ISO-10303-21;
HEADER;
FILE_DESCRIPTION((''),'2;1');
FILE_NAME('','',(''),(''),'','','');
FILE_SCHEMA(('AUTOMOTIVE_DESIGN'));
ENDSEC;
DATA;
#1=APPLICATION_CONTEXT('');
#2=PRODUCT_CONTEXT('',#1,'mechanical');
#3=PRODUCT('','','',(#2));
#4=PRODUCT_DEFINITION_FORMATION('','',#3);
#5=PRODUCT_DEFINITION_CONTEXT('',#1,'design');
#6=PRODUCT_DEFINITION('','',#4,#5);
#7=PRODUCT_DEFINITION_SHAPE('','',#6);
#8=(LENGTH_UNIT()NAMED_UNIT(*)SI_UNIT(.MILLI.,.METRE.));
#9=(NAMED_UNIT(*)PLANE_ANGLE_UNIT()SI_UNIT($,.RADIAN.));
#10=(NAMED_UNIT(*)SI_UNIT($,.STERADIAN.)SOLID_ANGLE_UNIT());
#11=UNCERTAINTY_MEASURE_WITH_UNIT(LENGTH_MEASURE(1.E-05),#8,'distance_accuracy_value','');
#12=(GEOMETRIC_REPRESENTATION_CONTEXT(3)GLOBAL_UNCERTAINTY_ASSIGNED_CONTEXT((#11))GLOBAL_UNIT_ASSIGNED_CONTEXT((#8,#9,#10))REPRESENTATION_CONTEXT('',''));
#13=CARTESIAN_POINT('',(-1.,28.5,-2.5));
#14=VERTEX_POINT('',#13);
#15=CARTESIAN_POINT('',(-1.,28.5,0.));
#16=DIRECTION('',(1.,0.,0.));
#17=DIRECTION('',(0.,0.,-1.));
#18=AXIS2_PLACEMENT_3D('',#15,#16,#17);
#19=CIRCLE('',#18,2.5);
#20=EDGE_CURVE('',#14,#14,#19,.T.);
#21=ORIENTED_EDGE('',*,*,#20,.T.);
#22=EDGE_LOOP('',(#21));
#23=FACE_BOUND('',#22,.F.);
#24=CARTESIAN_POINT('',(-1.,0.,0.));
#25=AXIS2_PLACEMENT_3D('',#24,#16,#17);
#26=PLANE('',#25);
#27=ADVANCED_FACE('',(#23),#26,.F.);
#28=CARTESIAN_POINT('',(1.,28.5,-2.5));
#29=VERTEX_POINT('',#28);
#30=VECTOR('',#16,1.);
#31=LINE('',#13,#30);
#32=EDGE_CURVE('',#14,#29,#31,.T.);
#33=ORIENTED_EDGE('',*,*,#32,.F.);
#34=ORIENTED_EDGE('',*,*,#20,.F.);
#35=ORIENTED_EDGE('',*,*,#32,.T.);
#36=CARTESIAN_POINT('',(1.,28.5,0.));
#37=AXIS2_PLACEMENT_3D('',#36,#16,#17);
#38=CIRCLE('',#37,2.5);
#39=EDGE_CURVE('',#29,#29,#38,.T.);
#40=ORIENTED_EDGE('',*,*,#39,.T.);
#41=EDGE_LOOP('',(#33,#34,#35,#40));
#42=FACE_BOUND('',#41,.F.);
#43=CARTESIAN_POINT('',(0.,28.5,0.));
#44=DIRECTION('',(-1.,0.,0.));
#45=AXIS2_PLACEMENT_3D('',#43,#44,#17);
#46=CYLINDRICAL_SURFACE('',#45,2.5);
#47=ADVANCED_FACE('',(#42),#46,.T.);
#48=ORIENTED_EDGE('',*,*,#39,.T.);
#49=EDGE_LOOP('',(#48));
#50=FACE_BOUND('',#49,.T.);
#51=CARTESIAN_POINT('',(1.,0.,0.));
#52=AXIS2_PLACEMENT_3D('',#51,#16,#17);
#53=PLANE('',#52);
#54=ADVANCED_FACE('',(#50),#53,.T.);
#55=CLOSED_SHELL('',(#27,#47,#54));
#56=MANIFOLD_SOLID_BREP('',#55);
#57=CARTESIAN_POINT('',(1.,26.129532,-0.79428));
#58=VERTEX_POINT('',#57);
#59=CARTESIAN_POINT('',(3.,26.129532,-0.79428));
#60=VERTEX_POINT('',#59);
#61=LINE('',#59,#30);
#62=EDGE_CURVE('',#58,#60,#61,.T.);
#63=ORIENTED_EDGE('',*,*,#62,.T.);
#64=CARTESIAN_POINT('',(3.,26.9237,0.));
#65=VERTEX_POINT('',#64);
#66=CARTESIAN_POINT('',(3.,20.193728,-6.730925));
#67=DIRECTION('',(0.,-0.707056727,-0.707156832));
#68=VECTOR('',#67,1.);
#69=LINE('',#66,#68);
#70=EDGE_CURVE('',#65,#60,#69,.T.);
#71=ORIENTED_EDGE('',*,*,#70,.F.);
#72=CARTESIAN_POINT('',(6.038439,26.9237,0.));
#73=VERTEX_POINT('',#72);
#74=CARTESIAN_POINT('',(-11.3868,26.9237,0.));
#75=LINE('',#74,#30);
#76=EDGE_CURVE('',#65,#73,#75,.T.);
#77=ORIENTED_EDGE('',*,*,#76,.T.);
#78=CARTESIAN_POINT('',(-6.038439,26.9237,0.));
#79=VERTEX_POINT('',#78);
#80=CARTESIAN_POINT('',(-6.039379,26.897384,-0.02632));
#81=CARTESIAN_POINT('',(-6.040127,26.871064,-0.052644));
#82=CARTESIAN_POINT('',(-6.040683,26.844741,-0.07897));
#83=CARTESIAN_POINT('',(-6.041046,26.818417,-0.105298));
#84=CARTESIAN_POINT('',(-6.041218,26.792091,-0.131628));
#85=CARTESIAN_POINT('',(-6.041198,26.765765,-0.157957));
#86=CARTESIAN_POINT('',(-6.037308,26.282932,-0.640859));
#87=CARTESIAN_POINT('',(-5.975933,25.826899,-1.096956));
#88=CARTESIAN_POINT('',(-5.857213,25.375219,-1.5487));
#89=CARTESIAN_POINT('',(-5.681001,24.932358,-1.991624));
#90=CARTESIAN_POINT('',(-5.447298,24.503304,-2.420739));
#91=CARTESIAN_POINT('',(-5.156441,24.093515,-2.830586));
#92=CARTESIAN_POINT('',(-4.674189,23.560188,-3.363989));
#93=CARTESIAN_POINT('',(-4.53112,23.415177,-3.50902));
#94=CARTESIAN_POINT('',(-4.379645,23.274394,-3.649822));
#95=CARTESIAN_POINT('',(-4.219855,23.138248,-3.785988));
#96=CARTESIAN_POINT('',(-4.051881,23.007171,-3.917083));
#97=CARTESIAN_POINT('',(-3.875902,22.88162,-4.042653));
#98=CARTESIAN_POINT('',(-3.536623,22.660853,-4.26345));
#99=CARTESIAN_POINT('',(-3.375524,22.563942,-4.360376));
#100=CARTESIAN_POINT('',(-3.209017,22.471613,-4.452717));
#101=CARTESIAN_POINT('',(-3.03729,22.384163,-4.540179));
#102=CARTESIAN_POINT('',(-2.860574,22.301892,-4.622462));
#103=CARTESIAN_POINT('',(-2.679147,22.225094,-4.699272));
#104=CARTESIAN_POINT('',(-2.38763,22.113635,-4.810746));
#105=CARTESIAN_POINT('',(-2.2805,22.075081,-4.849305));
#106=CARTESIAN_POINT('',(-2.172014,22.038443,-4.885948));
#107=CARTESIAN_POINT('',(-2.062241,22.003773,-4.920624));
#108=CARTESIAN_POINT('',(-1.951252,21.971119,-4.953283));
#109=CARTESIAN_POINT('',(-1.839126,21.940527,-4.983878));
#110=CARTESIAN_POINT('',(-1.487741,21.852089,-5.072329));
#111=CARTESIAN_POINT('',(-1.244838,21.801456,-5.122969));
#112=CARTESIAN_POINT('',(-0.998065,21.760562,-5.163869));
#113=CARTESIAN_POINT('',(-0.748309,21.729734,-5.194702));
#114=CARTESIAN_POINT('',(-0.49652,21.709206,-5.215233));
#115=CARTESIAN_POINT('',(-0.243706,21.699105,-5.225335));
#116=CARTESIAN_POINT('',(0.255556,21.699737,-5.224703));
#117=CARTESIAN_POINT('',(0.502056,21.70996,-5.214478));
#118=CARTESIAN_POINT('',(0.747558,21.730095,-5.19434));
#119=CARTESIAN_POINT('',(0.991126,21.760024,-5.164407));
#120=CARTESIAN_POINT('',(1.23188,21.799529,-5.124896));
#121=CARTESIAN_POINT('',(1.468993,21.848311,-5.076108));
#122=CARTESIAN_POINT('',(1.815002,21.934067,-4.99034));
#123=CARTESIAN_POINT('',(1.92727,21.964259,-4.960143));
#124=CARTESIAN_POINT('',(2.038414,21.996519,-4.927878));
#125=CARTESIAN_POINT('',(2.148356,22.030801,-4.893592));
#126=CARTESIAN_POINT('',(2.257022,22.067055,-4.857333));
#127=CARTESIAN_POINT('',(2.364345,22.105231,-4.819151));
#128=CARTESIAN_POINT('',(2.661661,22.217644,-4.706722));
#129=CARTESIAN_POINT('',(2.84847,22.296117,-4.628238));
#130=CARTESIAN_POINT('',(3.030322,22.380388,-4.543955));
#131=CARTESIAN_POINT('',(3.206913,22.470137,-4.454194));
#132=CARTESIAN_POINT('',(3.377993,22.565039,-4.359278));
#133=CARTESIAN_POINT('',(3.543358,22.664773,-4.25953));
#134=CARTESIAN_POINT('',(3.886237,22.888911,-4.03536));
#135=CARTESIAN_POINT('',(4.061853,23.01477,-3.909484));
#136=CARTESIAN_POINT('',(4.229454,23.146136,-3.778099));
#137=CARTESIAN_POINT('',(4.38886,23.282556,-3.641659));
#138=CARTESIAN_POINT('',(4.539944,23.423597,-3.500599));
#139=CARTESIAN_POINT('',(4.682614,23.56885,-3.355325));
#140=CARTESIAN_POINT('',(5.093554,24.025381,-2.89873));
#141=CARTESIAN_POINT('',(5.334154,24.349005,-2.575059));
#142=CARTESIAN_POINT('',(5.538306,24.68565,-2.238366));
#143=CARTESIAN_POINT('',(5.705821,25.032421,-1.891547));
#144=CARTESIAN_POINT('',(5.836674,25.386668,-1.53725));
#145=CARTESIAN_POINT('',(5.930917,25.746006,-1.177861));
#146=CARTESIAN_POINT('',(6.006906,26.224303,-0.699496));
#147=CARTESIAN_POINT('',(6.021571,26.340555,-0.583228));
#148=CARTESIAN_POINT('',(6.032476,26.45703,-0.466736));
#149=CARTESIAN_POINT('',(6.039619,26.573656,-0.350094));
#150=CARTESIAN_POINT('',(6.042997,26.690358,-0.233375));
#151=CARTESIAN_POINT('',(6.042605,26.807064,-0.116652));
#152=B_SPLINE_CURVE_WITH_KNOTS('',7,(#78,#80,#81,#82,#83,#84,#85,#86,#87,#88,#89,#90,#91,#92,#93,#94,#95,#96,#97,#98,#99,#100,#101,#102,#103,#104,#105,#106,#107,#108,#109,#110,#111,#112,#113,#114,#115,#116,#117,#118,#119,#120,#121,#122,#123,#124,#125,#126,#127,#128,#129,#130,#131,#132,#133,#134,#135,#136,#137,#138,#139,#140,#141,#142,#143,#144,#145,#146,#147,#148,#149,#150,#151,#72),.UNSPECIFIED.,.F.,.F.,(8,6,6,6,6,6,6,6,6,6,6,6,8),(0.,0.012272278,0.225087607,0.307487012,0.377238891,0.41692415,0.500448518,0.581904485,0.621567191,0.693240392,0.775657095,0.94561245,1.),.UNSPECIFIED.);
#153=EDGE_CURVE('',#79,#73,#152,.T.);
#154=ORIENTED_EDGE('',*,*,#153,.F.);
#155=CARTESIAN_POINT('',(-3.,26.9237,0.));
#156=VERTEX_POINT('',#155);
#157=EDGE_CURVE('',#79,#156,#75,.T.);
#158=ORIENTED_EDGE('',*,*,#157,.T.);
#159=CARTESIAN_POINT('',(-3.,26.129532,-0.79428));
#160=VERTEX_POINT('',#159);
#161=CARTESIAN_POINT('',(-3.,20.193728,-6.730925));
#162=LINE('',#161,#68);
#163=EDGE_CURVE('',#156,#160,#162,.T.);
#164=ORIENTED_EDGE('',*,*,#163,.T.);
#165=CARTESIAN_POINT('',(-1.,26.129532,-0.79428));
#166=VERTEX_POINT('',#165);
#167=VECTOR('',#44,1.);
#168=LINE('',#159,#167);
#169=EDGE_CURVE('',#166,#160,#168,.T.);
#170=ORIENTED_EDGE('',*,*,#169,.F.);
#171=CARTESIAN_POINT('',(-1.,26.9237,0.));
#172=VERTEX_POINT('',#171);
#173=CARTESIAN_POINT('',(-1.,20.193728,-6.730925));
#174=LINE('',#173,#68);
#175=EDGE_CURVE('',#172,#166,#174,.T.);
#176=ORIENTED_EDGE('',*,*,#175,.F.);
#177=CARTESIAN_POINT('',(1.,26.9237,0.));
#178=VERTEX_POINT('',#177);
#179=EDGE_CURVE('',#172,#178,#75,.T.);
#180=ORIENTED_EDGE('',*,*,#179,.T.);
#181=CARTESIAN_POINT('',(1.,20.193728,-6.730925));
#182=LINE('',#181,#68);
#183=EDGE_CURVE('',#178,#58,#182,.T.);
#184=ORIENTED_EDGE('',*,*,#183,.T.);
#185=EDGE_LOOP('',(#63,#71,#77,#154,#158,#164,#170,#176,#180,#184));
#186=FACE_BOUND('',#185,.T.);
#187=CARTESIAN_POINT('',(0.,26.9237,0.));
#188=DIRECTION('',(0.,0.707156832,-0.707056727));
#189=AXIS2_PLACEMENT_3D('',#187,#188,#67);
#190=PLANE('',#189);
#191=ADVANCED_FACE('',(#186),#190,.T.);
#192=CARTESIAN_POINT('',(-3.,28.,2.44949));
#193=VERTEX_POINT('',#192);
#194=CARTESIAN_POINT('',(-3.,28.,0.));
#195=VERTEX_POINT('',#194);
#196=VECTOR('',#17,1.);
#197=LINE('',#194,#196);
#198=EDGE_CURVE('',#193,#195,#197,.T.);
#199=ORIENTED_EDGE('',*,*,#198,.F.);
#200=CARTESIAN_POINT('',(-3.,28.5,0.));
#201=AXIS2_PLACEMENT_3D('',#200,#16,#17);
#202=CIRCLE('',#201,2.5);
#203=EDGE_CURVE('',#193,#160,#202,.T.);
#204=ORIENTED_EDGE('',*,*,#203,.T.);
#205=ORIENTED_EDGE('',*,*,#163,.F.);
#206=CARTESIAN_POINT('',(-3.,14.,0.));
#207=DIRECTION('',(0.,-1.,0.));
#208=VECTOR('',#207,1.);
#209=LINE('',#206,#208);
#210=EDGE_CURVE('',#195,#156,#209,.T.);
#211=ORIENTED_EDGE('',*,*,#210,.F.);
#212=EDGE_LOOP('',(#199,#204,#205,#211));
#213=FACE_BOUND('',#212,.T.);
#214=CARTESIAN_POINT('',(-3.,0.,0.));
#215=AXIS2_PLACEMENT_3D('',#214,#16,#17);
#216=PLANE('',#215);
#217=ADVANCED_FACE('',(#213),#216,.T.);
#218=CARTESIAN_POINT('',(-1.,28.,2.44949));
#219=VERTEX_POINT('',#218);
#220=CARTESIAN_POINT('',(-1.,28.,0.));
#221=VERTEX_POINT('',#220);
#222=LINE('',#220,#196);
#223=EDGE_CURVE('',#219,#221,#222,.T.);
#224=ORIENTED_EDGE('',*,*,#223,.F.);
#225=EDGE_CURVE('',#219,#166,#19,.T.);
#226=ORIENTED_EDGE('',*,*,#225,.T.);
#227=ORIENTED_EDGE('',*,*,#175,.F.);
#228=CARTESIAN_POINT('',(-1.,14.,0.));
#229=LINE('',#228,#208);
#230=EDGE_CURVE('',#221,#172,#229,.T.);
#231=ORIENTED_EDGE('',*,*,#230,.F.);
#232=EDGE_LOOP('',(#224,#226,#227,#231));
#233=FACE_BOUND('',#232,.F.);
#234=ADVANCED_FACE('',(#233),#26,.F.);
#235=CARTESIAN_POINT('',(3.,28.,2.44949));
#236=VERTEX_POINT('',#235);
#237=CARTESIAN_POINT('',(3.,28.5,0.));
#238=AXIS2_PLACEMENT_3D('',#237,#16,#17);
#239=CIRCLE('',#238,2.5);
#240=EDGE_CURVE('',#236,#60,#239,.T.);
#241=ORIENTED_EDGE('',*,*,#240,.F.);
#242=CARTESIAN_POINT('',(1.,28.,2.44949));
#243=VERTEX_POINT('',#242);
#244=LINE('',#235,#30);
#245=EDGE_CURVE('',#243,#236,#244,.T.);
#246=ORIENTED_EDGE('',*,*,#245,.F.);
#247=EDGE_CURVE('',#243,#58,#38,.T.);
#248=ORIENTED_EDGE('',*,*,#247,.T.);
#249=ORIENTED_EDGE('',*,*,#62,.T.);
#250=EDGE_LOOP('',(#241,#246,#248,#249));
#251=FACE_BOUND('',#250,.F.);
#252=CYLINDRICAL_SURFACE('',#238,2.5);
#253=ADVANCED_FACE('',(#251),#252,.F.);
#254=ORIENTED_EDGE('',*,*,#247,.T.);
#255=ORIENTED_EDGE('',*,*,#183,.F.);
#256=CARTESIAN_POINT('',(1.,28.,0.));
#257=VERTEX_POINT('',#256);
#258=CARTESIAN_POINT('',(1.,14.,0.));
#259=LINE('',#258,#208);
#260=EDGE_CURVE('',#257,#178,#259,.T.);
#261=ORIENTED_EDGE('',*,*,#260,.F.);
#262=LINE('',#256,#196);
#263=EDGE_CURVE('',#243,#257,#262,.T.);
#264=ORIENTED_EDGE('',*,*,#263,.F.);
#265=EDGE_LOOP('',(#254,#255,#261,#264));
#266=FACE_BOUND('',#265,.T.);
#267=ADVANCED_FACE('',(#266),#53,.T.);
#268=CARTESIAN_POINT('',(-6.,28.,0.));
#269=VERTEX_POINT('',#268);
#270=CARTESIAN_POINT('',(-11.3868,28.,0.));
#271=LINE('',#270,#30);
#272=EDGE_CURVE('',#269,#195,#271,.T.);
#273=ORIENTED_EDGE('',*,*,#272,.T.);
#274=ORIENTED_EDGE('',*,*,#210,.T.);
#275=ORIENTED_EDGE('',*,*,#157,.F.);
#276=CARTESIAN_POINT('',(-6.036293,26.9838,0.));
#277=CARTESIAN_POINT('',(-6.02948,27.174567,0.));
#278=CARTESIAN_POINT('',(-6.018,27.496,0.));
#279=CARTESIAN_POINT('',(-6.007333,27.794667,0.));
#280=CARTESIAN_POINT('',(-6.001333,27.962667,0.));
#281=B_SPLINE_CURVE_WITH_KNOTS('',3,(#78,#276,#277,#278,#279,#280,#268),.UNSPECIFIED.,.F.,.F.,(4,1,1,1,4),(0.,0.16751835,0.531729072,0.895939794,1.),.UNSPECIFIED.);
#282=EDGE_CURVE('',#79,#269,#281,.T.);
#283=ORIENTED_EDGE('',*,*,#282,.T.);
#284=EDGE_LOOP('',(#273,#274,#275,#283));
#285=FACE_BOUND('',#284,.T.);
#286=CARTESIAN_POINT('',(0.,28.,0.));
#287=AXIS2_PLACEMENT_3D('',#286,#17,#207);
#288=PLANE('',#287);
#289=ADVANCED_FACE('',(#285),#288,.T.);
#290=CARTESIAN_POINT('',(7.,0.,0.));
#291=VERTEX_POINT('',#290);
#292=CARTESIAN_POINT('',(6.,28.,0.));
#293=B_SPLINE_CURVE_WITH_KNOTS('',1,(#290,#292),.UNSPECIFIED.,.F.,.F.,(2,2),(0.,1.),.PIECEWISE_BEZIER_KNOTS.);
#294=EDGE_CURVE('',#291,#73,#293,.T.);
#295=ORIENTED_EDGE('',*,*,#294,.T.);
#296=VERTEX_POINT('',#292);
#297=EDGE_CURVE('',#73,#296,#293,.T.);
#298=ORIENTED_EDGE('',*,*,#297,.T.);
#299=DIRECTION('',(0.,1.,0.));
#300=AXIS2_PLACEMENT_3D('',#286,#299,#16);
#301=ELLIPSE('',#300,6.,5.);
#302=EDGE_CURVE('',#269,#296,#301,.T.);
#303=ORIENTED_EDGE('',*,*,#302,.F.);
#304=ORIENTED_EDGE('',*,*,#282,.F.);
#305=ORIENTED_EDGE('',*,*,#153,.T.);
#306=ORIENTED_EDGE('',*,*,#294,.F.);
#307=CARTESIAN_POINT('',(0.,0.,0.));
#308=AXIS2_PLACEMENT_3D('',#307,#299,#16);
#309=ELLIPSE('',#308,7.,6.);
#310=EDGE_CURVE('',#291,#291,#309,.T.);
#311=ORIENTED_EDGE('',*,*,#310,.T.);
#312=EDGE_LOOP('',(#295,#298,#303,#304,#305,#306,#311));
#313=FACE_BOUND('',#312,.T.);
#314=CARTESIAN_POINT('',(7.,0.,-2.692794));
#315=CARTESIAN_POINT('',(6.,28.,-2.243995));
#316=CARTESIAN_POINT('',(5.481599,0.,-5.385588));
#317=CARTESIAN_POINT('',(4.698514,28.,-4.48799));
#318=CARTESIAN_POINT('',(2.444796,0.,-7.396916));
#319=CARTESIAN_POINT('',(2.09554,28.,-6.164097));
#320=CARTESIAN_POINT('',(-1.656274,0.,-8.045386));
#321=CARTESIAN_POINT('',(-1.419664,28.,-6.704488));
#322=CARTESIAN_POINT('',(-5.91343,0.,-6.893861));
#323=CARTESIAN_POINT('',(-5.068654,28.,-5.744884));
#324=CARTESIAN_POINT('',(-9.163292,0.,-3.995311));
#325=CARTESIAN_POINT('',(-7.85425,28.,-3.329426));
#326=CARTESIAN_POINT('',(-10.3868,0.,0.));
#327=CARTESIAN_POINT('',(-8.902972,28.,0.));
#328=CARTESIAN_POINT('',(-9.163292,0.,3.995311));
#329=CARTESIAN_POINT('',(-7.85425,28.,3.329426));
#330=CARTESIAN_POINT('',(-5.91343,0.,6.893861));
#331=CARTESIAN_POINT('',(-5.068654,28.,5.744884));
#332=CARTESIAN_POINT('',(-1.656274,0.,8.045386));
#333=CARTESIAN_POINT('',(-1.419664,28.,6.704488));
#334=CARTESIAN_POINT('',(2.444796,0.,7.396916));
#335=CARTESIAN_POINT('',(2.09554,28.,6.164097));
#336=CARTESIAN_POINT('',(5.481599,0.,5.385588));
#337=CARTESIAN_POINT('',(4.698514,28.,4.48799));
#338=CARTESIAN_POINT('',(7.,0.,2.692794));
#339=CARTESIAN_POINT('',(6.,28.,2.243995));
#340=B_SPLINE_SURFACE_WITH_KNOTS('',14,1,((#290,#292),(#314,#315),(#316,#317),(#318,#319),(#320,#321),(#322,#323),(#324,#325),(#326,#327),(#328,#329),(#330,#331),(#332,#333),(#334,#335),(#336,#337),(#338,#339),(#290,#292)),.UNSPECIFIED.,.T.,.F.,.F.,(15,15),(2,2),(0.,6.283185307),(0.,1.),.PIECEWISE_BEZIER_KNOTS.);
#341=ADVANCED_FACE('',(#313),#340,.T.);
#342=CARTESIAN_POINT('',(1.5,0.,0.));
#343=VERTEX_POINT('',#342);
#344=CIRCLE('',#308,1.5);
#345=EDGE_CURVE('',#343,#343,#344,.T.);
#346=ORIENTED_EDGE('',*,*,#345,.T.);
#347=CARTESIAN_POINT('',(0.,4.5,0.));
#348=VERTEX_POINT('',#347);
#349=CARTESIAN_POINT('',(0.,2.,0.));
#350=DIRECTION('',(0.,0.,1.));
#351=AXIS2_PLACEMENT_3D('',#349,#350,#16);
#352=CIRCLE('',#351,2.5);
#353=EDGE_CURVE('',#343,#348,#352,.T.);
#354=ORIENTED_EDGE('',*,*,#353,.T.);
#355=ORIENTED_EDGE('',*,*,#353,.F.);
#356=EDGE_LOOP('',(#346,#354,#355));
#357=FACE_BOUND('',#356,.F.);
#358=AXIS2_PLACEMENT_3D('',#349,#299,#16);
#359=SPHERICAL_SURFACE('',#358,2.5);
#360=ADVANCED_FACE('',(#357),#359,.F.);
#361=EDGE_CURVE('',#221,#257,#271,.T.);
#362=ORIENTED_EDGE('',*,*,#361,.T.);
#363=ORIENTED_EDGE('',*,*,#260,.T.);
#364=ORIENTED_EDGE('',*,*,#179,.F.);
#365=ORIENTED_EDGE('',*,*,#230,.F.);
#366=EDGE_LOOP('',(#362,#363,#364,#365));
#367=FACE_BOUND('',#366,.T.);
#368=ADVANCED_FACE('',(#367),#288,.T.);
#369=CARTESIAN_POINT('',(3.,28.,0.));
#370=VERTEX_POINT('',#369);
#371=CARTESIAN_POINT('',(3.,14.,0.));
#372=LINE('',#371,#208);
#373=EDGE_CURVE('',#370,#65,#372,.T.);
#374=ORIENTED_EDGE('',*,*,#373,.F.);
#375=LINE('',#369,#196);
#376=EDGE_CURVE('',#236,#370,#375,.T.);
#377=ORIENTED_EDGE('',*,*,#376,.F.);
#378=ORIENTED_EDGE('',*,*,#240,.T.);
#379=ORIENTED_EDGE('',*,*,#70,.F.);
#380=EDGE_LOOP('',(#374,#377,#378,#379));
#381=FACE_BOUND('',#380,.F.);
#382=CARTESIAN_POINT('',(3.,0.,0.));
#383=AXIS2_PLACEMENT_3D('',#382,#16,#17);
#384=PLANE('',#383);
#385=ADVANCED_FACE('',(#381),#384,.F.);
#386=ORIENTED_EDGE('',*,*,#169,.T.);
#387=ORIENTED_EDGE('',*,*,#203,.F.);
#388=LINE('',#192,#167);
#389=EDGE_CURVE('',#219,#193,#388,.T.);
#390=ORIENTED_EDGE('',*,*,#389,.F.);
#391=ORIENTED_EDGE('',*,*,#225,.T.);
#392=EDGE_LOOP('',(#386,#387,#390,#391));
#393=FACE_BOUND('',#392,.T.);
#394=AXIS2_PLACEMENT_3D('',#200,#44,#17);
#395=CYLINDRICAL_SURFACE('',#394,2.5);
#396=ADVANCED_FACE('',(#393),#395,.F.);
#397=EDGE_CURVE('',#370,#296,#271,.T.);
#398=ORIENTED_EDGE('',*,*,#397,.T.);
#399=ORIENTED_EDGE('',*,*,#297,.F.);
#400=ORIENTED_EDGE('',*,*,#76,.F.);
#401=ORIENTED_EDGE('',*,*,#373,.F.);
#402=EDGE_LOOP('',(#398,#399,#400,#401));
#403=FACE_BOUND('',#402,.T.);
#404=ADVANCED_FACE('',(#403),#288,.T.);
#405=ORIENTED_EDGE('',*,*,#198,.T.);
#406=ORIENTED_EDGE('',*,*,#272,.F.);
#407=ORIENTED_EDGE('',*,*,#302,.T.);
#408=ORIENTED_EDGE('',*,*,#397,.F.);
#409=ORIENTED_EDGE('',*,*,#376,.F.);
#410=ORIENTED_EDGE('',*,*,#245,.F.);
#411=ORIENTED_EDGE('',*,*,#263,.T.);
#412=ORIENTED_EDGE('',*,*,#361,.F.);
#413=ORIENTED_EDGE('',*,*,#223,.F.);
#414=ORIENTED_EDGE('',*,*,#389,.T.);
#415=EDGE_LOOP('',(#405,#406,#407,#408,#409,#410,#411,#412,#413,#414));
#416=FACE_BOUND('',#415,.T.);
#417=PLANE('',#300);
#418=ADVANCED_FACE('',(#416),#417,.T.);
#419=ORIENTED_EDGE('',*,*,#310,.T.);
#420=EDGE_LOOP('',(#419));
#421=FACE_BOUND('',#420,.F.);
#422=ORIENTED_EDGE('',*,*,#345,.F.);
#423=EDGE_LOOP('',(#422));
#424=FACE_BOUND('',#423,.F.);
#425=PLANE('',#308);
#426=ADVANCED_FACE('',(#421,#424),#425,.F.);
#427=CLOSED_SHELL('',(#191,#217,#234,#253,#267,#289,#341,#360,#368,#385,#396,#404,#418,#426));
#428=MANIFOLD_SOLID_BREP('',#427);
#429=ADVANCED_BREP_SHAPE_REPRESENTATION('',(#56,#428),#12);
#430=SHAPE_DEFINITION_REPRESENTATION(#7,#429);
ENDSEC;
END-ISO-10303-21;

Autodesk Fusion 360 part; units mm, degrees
sketch "Sketch1" plane through (0, 0, 0) normal (0, 1, 0) x (1, 0, 0)
  ellipse E0 centre (0, 0) end of major axis (7, 0) minor radius 6
  line L0 (-7, 0) -> (7, 0) construction
  line L1 (0, -6) -> (0, 6) construction
  dimension "d2" = 12
ref_plane "WorkPlane1" through (0, 28, 0) normal (0, 1, 0) x (1, 0, 0)
sketch "Sketch2" plane through (0, 28, 0) normal (0, 1, 0) x (1, 0, 0)
  ellipse E0 centre (0, 0) end of major axis (6, 0) minor radius 5
  line L0 (-6, 0) -> (6, 0) construction
  line L1 (0, -5) -> (0, 5) construction
  dimension "d3" = 10
sketch "Sketch3" plane through (0, 28, 0) normal (0, 1, 0) x (1, 0, 0)
loft "Loft1" add profiles "Sketch1", "Sketch2" section 1 section 2 makes body 1
sketch "Sketch4" plane through (0, 0, 0) normal (1, 0, 0) x (0, 0, -1)
  line L0 (0, 0) -> (0, 1)
  line L1 (0, 1) -> (7, 8)
  line L2 (7, 8) -> (7, 0)
  line L3 (7, 0) -> (0, 0)
  line L4 (0, 28) -> (0, 26.9237)
  line L5 (0, 26.9237) -> (5.6513, 21.2732)
  line L6 (5.6513, 21.2732) -> (5.6513, 28)
  line L7 (5.6513, 28) -> (0, 28)
  line L8 (0, 28) -> (0, 26.9237)
  line L9 (0, 28) -> (0, 26.9237)
  line L10 (0, 26.9237) -> (5.6513, 21.2732)
  line L11 (5.6513, 28) -> (0, 28)
  point P0 (0, 28)
extrude "Extrude1" cut sketch "Sketch4" along normal through all and the other way through all contours L4 L5 L6 L7 L8 L9 L10 L11 bodies 1
sketch "Sketch5" plane through (0, 0, 0) normal (1, 0, 0) x (0, 0, -1)
  circle A0 centre (0, -0.5) radius 2.5
  circle A1 centre (0, 28.5) radius 2.5
  dimension "d5" = 5
  dimension "d6" = 5
extrude "Extrude2" add sketch "Sketch5" along normal mid plane 6 separate body contours A1 makes body 2
extrude "Extrude3" cut 1 faces at (-3, 28.6214, -0.8056) along direction (1, 0, 0) blind 2 on bodies 2 bodies 1 2
extrude "Extrude4" cut 1 faces at (3, 28.6214, -0.8056) along direction (-1, 0, 0) blind 2 on bodies 2 bodies 1 2
sketch "Sketch6" plane through (0, 0, 0) normal (1, 0, 0) x (0, 0, -1)
  circle A0 centre (0, 28.5) radius 1
  dimension "d16" = 2
ref_plane "WorkPlane2" through (0, 2, 0) normal (0, 1, 0) x (0, 0, 1)
sketch "Sketch7" plane through (0, 2, 0) normal (0, 1, 0) x (1, 0, 0)
  circle A0 centre (0, 0) radius 2.5
  dimension "d19" = 5
sphere "SpherePrimitive1" cut diameter 5 placed x (1, 0, 0) y (0, 0, -1) z (0, 1, 0) at (0, 2, 0) bodies 1
